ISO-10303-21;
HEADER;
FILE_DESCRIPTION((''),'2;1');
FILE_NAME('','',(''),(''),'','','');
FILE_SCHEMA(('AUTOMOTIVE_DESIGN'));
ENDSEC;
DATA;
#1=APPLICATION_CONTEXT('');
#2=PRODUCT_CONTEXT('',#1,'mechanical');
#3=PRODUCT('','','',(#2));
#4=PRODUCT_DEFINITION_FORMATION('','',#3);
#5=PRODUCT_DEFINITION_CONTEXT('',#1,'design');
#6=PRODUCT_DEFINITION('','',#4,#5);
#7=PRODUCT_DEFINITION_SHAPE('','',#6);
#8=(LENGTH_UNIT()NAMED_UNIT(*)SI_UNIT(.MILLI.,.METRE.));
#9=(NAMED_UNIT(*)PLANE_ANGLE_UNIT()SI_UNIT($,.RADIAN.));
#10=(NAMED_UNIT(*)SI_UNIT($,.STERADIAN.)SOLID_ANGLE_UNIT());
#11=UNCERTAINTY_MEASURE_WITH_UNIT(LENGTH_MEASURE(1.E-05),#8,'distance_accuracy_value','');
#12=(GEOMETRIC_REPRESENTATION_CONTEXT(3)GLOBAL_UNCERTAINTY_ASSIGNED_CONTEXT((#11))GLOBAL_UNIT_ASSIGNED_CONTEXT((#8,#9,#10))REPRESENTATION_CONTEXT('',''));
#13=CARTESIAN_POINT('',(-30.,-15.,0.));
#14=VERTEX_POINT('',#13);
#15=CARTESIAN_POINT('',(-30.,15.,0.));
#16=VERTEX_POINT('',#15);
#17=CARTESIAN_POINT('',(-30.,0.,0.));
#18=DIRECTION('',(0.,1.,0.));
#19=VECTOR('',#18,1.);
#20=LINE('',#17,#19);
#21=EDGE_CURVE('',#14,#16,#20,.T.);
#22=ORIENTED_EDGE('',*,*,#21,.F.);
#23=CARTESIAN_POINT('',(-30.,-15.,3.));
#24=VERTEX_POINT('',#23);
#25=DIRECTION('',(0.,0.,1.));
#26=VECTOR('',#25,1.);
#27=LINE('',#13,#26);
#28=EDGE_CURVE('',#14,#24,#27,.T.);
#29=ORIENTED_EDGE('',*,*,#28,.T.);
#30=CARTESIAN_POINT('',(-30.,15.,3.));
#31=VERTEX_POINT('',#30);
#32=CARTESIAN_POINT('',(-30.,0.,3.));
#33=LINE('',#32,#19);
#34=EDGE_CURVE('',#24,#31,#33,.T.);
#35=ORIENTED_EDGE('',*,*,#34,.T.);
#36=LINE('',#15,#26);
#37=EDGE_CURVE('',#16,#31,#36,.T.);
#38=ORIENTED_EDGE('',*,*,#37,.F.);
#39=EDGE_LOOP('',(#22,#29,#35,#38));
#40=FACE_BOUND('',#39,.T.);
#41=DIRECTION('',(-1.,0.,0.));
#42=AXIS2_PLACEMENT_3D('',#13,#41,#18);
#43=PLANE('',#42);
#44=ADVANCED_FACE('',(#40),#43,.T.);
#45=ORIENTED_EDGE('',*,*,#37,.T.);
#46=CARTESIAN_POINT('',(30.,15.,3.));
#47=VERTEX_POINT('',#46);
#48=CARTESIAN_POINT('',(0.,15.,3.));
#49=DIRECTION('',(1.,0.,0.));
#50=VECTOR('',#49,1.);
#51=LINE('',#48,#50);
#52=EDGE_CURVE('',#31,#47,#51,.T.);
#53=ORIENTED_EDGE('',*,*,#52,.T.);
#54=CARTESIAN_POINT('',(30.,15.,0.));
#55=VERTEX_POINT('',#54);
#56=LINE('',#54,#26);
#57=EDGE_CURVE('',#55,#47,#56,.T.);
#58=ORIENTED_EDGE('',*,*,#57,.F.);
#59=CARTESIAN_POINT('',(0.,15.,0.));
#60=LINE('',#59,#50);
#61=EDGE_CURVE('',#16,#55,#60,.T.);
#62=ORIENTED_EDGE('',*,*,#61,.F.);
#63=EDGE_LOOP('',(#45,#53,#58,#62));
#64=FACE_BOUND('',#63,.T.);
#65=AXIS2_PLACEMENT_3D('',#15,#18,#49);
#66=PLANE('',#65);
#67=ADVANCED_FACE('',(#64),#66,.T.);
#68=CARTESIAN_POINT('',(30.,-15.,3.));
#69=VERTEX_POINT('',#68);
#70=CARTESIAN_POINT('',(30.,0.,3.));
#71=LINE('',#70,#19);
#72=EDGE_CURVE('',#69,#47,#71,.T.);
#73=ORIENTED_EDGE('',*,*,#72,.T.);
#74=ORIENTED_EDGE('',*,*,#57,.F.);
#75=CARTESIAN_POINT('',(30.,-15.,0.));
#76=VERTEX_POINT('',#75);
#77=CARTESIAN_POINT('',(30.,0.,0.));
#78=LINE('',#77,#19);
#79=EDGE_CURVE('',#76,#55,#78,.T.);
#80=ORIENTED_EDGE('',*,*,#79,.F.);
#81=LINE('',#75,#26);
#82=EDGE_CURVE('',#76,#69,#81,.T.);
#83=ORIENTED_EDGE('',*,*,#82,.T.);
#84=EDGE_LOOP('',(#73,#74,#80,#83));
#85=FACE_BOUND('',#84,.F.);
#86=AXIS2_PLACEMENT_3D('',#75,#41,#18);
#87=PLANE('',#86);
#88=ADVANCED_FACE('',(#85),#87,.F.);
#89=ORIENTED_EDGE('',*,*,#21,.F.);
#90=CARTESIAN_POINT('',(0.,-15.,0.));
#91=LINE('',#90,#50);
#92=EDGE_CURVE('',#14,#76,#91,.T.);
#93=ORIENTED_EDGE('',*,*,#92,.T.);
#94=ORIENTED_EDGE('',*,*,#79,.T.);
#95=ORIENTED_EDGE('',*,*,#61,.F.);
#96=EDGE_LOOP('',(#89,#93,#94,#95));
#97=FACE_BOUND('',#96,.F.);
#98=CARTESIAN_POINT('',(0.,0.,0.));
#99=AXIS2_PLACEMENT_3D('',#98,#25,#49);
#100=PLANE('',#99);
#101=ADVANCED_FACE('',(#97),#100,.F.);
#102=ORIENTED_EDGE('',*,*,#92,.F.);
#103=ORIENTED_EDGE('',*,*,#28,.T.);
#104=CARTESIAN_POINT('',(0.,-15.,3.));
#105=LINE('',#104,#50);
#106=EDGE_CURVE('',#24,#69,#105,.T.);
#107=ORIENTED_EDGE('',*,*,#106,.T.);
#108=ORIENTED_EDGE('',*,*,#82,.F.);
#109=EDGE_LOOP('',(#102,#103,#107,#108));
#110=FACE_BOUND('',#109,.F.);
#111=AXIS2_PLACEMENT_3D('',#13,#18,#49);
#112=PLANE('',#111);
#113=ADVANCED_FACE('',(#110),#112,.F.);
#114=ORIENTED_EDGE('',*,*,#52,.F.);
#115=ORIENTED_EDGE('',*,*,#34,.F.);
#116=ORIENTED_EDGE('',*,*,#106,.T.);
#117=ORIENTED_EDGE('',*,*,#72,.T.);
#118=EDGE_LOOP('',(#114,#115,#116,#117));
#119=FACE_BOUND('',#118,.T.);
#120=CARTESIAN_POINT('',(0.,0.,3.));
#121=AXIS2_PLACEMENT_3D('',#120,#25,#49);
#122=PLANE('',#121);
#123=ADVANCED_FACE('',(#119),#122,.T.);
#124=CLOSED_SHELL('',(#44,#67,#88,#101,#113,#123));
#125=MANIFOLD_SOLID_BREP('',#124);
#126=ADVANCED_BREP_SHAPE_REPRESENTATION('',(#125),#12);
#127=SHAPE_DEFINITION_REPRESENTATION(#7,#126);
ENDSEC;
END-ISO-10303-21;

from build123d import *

# Parameters (mm, degrees)
SKETCH_W  = 60
SKETCH_H  = 30
PAD_DEPTH = 3


with BuildPart() as part:
    # Sketch → Pad (new body)
    with BuildSketch(Plane.XY):
        Rectangle(SKETCH_W, SKETCH_H)
    extrude(amount=PAD_DEPTH)


solid = part.part
